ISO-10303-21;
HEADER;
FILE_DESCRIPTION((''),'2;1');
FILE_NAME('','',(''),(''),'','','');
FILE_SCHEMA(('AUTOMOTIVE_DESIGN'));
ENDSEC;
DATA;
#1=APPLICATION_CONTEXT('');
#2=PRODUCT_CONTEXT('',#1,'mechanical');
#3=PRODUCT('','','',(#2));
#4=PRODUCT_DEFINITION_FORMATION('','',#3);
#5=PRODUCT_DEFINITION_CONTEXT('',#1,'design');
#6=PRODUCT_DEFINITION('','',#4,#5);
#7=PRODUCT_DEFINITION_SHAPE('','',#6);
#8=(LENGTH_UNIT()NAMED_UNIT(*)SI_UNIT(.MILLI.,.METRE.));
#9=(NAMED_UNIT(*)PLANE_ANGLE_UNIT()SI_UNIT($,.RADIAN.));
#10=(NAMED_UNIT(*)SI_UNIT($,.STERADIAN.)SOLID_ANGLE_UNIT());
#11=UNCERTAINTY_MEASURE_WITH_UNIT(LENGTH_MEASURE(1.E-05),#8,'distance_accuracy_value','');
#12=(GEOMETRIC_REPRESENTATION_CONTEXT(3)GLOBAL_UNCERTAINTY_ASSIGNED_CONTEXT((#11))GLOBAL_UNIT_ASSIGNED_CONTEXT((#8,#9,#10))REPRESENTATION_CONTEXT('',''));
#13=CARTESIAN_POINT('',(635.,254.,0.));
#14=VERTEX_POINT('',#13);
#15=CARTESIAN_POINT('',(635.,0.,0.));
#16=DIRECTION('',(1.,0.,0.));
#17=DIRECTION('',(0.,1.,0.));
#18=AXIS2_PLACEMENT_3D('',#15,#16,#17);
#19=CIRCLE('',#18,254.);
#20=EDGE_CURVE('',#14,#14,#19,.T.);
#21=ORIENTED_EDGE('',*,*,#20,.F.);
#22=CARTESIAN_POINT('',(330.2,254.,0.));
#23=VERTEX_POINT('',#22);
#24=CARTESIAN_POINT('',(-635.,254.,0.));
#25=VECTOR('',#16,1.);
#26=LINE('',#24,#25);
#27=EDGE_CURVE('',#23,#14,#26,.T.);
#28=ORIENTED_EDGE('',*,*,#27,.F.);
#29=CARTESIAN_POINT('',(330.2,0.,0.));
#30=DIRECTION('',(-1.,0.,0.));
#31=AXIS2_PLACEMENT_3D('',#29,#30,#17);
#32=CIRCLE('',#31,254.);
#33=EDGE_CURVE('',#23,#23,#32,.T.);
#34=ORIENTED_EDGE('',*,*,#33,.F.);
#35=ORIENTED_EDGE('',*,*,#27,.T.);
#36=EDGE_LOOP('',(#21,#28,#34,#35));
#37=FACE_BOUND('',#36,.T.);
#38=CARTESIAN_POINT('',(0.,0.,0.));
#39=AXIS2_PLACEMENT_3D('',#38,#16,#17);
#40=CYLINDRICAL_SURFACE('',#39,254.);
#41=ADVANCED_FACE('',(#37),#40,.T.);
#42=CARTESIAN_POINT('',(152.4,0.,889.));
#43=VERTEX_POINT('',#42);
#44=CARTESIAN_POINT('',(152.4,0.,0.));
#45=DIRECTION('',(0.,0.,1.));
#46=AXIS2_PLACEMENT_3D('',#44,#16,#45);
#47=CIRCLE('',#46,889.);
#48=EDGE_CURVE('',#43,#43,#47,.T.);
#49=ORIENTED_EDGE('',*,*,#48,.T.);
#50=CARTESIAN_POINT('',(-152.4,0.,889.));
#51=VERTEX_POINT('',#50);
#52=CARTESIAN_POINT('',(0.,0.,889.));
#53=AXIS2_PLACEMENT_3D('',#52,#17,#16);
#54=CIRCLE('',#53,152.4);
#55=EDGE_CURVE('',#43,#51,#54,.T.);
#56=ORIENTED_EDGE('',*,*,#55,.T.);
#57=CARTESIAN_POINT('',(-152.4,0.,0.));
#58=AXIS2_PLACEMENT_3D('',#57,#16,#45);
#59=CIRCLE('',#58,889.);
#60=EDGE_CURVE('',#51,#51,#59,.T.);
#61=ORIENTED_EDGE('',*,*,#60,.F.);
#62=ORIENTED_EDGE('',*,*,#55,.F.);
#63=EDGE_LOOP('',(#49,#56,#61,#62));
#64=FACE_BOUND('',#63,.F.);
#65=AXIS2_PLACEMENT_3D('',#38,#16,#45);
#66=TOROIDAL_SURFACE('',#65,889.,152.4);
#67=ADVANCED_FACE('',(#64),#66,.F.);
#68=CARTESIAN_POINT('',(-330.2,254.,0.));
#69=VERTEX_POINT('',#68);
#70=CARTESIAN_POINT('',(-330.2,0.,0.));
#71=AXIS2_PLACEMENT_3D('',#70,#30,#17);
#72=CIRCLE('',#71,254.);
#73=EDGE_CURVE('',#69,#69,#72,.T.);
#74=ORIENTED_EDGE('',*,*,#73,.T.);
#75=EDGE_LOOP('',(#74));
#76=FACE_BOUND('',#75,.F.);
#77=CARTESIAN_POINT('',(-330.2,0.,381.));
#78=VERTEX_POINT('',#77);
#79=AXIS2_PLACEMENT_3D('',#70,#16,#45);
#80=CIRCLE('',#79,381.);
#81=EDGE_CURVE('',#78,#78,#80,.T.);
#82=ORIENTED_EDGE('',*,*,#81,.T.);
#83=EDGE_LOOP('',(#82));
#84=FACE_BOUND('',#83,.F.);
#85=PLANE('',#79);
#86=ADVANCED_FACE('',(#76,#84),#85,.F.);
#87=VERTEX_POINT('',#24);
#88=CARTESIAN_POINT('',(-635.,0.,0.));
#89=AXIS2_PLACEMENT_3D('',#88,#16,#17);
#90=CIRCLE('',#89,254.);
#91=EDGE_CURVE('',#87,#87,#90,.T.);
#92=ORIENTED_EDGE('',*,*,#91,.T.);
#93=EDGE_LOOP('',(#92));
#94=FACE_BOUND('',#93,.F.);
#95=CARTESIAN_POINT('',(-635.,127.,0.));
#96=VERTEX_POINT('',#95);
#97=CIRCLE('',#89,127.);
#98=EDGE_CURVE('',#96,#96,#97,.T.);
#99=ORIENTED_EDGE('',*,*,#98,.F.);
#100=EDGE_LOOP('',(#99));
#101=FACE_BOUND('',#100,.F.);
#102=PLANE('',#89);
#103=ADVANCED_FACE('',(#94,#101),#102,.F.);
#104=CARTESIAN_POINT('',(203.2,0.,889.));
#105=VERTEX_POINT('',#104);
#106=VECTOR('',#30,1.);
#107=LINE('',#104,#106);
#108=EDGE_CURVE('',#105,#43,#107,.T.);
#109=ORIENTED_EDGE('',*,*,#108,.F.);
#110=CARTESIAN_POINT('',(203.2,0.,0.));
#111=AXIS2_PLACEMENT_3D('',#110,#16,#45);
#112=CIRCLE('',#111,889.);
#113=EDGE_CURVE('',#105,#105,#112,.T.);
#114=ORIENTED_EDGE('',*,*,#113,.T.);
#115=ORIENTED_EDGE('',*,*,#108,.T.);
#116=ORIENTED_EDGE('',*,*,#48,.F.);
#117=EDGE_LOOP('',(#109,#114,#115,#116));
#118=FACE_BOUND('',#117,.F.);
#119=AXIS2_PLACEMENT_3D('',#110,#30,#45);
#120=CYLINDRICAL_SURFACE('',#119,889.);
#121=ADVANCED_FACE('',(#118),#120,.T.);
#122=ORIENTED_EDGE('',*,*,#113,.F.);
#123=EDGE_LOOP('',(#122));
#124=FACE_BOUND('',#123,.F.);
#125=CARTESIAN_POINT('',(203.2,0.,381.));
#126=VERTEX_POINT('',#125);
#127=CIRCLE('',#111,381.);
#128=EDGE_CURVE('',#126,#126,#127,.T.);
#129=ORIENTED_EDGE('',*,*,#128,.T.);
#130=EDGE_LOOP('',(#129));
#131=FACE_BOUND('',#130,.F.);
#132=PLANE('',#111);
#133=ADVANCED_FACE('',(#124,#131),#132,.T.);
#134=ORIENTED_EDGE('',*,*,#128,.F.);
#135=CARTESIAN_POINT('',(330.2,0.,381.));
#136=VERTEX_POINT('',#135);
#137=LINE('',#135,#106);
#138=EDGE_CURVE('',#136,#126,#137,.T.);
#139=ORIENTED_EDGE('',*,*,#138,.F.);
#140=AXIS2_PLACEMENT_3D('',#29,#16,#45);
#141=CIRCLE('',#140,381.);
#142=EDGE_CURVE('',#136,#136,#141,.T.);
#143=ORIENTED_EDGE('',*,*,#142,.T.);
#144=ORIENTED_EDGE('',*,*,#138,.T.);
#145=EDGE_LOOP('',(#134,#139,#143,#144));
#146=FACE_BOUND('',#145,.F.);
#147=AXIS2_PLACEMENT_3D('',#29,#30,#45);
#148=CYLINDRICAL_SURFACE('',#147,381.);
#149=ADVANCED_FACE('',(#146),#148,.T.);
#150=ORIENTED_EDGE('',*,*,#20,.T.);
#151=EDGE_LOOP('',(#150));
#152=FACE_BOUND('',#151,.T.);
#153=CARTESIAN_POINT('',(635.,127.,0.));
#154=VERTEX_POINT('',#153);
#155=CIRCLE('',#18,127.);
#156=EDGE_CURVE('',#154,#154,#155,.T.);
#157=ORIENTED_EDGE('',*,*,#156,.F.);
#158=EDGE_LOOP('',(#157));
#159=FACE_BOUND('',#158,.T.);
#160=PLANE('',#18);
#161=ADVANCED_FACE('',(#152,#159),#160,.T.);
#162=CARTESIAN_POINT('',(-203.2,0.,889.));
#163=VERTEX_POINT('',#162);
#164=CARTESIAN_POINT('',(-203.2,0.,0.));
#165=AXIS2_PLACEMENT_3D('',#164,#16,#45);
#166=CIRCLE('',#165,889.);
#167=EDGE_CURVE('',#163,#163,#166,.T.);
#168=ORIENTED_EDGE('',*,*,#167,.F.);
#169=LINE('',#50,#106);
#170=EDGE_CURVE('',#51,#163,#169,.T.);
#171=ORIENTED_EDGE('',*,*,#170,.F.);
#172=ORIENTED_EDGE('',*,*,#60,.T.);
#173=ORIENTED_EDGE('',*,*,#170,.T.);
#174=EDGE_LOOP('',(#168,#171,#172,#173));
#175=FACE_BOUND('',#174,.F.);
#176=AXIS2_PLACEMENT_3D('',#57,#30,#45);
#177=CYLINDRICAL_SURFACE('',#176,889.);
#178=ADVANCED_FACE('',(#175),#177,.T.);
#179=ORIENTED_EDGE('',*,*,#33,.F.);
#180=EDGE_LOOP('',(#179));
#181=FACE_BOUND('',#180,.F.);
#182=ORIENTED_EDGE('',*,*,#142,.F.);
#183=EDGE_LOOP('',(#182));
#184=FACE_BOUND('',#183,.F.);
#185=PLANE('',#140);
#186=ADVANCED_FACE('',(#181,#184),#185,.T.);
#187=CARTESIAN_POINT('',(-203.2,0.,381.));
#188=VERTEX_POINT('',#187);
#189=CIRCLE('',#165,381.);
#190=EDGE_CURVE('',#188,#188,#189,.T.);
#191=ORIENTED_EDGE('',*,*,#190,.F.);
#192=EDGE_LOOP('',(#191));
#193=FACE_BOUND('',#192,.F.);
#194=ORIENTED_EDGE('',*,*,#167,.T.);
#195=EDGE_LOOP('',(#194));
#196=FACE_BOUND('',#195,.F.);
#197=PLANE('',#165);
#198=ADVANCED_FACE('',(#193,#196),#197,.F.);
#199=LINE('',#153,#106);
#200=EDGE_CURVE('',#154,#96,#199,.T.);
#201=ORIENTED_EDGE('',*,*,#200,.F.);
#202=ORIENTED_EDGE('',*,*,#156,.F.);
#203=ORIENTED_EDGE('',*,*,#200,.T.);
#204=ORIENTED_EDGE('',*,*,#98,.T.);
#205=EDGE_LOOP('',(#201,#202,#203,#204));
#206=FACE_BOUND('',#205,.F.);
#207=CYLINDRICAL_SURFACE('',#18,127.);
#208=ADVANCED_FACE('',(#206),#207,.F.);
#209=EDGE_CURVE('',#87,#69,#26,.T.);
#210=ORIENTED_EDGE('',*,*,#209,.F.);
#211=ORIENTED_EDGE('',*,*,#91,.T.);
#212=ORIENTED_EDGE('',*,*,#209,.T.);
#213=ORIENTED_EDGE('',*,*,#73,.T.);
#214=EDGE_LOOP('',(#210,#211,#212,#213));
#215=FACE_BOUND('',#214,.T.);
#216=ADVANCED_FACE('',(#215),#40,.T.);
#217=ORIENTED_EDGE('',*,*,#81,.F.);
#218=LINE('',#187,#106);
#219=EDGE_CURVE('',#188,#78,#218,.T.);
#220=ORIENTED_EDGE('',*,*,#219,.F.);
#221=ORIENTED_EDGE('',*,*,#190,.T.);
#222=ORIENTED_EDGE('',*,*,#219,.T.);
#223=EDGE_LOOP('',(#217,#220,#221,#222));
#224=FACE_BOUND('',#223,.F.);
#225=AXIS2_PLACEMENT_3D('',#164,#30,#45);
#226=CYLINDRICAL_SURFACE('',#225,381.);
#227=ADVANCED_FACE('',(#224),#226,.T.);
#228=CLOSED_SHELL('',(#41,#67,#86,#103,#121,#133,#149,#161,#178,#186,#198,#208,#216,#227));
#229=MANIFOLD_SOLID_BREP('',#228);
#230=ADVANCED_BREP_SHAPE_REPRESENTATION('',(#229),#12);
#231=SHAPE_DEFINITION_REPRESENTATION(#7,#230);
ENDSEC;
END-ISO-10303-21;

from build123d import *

# Parameters (mm, degrees)
F2_R     = 254
F3_DEPTH = 635
F4_R     = 127
F5_DEPTH = 1270.001


with BuildPart() as f1:
    # F0 (on Front) → F1 (revolve)
    with BuildSketch(Plane.XZ):
        with BuildLine():
            Line((-330.2, 381), (-330.2, 254))
            Line((-330.2, 254), (330.2, 254))
            Line((330.2, 254), (330.2, 381))
            Line((330.2, 381), (203.2, 381))
            Line((203.2, 381), (203.2, 889))
            Line((203.2, 889), (152.4, 889))
            ThreePointArc((152.4, 889), (0, 736.6), (-152.4, 889))
            Line((-152.4, 889), (-203.2, 889))
            Line((-203.2, 889), (-203.2, 381))
            Line((-203.2, 381), (-330.2, 381))
        make_face()
    revolve(axis=Axis((165.1, 0, 0), (1, 0, 0)))

    # F2 (on Right) → F3 (join, symmetric)
    with BuildSketch(Plane.YZ):
        Circle(F2_R)
    extrude(amount=F3_DEPTH, both=True)

    # F4 (on face) → F5 (cut, through all)
    with BuildSketch(Plane.YZ.offset(635)):
        Circle(F4_R)
    extrude(amount=-F5_DEPTH, mode=Mode.SUBTRACT)


solid = f1.part
